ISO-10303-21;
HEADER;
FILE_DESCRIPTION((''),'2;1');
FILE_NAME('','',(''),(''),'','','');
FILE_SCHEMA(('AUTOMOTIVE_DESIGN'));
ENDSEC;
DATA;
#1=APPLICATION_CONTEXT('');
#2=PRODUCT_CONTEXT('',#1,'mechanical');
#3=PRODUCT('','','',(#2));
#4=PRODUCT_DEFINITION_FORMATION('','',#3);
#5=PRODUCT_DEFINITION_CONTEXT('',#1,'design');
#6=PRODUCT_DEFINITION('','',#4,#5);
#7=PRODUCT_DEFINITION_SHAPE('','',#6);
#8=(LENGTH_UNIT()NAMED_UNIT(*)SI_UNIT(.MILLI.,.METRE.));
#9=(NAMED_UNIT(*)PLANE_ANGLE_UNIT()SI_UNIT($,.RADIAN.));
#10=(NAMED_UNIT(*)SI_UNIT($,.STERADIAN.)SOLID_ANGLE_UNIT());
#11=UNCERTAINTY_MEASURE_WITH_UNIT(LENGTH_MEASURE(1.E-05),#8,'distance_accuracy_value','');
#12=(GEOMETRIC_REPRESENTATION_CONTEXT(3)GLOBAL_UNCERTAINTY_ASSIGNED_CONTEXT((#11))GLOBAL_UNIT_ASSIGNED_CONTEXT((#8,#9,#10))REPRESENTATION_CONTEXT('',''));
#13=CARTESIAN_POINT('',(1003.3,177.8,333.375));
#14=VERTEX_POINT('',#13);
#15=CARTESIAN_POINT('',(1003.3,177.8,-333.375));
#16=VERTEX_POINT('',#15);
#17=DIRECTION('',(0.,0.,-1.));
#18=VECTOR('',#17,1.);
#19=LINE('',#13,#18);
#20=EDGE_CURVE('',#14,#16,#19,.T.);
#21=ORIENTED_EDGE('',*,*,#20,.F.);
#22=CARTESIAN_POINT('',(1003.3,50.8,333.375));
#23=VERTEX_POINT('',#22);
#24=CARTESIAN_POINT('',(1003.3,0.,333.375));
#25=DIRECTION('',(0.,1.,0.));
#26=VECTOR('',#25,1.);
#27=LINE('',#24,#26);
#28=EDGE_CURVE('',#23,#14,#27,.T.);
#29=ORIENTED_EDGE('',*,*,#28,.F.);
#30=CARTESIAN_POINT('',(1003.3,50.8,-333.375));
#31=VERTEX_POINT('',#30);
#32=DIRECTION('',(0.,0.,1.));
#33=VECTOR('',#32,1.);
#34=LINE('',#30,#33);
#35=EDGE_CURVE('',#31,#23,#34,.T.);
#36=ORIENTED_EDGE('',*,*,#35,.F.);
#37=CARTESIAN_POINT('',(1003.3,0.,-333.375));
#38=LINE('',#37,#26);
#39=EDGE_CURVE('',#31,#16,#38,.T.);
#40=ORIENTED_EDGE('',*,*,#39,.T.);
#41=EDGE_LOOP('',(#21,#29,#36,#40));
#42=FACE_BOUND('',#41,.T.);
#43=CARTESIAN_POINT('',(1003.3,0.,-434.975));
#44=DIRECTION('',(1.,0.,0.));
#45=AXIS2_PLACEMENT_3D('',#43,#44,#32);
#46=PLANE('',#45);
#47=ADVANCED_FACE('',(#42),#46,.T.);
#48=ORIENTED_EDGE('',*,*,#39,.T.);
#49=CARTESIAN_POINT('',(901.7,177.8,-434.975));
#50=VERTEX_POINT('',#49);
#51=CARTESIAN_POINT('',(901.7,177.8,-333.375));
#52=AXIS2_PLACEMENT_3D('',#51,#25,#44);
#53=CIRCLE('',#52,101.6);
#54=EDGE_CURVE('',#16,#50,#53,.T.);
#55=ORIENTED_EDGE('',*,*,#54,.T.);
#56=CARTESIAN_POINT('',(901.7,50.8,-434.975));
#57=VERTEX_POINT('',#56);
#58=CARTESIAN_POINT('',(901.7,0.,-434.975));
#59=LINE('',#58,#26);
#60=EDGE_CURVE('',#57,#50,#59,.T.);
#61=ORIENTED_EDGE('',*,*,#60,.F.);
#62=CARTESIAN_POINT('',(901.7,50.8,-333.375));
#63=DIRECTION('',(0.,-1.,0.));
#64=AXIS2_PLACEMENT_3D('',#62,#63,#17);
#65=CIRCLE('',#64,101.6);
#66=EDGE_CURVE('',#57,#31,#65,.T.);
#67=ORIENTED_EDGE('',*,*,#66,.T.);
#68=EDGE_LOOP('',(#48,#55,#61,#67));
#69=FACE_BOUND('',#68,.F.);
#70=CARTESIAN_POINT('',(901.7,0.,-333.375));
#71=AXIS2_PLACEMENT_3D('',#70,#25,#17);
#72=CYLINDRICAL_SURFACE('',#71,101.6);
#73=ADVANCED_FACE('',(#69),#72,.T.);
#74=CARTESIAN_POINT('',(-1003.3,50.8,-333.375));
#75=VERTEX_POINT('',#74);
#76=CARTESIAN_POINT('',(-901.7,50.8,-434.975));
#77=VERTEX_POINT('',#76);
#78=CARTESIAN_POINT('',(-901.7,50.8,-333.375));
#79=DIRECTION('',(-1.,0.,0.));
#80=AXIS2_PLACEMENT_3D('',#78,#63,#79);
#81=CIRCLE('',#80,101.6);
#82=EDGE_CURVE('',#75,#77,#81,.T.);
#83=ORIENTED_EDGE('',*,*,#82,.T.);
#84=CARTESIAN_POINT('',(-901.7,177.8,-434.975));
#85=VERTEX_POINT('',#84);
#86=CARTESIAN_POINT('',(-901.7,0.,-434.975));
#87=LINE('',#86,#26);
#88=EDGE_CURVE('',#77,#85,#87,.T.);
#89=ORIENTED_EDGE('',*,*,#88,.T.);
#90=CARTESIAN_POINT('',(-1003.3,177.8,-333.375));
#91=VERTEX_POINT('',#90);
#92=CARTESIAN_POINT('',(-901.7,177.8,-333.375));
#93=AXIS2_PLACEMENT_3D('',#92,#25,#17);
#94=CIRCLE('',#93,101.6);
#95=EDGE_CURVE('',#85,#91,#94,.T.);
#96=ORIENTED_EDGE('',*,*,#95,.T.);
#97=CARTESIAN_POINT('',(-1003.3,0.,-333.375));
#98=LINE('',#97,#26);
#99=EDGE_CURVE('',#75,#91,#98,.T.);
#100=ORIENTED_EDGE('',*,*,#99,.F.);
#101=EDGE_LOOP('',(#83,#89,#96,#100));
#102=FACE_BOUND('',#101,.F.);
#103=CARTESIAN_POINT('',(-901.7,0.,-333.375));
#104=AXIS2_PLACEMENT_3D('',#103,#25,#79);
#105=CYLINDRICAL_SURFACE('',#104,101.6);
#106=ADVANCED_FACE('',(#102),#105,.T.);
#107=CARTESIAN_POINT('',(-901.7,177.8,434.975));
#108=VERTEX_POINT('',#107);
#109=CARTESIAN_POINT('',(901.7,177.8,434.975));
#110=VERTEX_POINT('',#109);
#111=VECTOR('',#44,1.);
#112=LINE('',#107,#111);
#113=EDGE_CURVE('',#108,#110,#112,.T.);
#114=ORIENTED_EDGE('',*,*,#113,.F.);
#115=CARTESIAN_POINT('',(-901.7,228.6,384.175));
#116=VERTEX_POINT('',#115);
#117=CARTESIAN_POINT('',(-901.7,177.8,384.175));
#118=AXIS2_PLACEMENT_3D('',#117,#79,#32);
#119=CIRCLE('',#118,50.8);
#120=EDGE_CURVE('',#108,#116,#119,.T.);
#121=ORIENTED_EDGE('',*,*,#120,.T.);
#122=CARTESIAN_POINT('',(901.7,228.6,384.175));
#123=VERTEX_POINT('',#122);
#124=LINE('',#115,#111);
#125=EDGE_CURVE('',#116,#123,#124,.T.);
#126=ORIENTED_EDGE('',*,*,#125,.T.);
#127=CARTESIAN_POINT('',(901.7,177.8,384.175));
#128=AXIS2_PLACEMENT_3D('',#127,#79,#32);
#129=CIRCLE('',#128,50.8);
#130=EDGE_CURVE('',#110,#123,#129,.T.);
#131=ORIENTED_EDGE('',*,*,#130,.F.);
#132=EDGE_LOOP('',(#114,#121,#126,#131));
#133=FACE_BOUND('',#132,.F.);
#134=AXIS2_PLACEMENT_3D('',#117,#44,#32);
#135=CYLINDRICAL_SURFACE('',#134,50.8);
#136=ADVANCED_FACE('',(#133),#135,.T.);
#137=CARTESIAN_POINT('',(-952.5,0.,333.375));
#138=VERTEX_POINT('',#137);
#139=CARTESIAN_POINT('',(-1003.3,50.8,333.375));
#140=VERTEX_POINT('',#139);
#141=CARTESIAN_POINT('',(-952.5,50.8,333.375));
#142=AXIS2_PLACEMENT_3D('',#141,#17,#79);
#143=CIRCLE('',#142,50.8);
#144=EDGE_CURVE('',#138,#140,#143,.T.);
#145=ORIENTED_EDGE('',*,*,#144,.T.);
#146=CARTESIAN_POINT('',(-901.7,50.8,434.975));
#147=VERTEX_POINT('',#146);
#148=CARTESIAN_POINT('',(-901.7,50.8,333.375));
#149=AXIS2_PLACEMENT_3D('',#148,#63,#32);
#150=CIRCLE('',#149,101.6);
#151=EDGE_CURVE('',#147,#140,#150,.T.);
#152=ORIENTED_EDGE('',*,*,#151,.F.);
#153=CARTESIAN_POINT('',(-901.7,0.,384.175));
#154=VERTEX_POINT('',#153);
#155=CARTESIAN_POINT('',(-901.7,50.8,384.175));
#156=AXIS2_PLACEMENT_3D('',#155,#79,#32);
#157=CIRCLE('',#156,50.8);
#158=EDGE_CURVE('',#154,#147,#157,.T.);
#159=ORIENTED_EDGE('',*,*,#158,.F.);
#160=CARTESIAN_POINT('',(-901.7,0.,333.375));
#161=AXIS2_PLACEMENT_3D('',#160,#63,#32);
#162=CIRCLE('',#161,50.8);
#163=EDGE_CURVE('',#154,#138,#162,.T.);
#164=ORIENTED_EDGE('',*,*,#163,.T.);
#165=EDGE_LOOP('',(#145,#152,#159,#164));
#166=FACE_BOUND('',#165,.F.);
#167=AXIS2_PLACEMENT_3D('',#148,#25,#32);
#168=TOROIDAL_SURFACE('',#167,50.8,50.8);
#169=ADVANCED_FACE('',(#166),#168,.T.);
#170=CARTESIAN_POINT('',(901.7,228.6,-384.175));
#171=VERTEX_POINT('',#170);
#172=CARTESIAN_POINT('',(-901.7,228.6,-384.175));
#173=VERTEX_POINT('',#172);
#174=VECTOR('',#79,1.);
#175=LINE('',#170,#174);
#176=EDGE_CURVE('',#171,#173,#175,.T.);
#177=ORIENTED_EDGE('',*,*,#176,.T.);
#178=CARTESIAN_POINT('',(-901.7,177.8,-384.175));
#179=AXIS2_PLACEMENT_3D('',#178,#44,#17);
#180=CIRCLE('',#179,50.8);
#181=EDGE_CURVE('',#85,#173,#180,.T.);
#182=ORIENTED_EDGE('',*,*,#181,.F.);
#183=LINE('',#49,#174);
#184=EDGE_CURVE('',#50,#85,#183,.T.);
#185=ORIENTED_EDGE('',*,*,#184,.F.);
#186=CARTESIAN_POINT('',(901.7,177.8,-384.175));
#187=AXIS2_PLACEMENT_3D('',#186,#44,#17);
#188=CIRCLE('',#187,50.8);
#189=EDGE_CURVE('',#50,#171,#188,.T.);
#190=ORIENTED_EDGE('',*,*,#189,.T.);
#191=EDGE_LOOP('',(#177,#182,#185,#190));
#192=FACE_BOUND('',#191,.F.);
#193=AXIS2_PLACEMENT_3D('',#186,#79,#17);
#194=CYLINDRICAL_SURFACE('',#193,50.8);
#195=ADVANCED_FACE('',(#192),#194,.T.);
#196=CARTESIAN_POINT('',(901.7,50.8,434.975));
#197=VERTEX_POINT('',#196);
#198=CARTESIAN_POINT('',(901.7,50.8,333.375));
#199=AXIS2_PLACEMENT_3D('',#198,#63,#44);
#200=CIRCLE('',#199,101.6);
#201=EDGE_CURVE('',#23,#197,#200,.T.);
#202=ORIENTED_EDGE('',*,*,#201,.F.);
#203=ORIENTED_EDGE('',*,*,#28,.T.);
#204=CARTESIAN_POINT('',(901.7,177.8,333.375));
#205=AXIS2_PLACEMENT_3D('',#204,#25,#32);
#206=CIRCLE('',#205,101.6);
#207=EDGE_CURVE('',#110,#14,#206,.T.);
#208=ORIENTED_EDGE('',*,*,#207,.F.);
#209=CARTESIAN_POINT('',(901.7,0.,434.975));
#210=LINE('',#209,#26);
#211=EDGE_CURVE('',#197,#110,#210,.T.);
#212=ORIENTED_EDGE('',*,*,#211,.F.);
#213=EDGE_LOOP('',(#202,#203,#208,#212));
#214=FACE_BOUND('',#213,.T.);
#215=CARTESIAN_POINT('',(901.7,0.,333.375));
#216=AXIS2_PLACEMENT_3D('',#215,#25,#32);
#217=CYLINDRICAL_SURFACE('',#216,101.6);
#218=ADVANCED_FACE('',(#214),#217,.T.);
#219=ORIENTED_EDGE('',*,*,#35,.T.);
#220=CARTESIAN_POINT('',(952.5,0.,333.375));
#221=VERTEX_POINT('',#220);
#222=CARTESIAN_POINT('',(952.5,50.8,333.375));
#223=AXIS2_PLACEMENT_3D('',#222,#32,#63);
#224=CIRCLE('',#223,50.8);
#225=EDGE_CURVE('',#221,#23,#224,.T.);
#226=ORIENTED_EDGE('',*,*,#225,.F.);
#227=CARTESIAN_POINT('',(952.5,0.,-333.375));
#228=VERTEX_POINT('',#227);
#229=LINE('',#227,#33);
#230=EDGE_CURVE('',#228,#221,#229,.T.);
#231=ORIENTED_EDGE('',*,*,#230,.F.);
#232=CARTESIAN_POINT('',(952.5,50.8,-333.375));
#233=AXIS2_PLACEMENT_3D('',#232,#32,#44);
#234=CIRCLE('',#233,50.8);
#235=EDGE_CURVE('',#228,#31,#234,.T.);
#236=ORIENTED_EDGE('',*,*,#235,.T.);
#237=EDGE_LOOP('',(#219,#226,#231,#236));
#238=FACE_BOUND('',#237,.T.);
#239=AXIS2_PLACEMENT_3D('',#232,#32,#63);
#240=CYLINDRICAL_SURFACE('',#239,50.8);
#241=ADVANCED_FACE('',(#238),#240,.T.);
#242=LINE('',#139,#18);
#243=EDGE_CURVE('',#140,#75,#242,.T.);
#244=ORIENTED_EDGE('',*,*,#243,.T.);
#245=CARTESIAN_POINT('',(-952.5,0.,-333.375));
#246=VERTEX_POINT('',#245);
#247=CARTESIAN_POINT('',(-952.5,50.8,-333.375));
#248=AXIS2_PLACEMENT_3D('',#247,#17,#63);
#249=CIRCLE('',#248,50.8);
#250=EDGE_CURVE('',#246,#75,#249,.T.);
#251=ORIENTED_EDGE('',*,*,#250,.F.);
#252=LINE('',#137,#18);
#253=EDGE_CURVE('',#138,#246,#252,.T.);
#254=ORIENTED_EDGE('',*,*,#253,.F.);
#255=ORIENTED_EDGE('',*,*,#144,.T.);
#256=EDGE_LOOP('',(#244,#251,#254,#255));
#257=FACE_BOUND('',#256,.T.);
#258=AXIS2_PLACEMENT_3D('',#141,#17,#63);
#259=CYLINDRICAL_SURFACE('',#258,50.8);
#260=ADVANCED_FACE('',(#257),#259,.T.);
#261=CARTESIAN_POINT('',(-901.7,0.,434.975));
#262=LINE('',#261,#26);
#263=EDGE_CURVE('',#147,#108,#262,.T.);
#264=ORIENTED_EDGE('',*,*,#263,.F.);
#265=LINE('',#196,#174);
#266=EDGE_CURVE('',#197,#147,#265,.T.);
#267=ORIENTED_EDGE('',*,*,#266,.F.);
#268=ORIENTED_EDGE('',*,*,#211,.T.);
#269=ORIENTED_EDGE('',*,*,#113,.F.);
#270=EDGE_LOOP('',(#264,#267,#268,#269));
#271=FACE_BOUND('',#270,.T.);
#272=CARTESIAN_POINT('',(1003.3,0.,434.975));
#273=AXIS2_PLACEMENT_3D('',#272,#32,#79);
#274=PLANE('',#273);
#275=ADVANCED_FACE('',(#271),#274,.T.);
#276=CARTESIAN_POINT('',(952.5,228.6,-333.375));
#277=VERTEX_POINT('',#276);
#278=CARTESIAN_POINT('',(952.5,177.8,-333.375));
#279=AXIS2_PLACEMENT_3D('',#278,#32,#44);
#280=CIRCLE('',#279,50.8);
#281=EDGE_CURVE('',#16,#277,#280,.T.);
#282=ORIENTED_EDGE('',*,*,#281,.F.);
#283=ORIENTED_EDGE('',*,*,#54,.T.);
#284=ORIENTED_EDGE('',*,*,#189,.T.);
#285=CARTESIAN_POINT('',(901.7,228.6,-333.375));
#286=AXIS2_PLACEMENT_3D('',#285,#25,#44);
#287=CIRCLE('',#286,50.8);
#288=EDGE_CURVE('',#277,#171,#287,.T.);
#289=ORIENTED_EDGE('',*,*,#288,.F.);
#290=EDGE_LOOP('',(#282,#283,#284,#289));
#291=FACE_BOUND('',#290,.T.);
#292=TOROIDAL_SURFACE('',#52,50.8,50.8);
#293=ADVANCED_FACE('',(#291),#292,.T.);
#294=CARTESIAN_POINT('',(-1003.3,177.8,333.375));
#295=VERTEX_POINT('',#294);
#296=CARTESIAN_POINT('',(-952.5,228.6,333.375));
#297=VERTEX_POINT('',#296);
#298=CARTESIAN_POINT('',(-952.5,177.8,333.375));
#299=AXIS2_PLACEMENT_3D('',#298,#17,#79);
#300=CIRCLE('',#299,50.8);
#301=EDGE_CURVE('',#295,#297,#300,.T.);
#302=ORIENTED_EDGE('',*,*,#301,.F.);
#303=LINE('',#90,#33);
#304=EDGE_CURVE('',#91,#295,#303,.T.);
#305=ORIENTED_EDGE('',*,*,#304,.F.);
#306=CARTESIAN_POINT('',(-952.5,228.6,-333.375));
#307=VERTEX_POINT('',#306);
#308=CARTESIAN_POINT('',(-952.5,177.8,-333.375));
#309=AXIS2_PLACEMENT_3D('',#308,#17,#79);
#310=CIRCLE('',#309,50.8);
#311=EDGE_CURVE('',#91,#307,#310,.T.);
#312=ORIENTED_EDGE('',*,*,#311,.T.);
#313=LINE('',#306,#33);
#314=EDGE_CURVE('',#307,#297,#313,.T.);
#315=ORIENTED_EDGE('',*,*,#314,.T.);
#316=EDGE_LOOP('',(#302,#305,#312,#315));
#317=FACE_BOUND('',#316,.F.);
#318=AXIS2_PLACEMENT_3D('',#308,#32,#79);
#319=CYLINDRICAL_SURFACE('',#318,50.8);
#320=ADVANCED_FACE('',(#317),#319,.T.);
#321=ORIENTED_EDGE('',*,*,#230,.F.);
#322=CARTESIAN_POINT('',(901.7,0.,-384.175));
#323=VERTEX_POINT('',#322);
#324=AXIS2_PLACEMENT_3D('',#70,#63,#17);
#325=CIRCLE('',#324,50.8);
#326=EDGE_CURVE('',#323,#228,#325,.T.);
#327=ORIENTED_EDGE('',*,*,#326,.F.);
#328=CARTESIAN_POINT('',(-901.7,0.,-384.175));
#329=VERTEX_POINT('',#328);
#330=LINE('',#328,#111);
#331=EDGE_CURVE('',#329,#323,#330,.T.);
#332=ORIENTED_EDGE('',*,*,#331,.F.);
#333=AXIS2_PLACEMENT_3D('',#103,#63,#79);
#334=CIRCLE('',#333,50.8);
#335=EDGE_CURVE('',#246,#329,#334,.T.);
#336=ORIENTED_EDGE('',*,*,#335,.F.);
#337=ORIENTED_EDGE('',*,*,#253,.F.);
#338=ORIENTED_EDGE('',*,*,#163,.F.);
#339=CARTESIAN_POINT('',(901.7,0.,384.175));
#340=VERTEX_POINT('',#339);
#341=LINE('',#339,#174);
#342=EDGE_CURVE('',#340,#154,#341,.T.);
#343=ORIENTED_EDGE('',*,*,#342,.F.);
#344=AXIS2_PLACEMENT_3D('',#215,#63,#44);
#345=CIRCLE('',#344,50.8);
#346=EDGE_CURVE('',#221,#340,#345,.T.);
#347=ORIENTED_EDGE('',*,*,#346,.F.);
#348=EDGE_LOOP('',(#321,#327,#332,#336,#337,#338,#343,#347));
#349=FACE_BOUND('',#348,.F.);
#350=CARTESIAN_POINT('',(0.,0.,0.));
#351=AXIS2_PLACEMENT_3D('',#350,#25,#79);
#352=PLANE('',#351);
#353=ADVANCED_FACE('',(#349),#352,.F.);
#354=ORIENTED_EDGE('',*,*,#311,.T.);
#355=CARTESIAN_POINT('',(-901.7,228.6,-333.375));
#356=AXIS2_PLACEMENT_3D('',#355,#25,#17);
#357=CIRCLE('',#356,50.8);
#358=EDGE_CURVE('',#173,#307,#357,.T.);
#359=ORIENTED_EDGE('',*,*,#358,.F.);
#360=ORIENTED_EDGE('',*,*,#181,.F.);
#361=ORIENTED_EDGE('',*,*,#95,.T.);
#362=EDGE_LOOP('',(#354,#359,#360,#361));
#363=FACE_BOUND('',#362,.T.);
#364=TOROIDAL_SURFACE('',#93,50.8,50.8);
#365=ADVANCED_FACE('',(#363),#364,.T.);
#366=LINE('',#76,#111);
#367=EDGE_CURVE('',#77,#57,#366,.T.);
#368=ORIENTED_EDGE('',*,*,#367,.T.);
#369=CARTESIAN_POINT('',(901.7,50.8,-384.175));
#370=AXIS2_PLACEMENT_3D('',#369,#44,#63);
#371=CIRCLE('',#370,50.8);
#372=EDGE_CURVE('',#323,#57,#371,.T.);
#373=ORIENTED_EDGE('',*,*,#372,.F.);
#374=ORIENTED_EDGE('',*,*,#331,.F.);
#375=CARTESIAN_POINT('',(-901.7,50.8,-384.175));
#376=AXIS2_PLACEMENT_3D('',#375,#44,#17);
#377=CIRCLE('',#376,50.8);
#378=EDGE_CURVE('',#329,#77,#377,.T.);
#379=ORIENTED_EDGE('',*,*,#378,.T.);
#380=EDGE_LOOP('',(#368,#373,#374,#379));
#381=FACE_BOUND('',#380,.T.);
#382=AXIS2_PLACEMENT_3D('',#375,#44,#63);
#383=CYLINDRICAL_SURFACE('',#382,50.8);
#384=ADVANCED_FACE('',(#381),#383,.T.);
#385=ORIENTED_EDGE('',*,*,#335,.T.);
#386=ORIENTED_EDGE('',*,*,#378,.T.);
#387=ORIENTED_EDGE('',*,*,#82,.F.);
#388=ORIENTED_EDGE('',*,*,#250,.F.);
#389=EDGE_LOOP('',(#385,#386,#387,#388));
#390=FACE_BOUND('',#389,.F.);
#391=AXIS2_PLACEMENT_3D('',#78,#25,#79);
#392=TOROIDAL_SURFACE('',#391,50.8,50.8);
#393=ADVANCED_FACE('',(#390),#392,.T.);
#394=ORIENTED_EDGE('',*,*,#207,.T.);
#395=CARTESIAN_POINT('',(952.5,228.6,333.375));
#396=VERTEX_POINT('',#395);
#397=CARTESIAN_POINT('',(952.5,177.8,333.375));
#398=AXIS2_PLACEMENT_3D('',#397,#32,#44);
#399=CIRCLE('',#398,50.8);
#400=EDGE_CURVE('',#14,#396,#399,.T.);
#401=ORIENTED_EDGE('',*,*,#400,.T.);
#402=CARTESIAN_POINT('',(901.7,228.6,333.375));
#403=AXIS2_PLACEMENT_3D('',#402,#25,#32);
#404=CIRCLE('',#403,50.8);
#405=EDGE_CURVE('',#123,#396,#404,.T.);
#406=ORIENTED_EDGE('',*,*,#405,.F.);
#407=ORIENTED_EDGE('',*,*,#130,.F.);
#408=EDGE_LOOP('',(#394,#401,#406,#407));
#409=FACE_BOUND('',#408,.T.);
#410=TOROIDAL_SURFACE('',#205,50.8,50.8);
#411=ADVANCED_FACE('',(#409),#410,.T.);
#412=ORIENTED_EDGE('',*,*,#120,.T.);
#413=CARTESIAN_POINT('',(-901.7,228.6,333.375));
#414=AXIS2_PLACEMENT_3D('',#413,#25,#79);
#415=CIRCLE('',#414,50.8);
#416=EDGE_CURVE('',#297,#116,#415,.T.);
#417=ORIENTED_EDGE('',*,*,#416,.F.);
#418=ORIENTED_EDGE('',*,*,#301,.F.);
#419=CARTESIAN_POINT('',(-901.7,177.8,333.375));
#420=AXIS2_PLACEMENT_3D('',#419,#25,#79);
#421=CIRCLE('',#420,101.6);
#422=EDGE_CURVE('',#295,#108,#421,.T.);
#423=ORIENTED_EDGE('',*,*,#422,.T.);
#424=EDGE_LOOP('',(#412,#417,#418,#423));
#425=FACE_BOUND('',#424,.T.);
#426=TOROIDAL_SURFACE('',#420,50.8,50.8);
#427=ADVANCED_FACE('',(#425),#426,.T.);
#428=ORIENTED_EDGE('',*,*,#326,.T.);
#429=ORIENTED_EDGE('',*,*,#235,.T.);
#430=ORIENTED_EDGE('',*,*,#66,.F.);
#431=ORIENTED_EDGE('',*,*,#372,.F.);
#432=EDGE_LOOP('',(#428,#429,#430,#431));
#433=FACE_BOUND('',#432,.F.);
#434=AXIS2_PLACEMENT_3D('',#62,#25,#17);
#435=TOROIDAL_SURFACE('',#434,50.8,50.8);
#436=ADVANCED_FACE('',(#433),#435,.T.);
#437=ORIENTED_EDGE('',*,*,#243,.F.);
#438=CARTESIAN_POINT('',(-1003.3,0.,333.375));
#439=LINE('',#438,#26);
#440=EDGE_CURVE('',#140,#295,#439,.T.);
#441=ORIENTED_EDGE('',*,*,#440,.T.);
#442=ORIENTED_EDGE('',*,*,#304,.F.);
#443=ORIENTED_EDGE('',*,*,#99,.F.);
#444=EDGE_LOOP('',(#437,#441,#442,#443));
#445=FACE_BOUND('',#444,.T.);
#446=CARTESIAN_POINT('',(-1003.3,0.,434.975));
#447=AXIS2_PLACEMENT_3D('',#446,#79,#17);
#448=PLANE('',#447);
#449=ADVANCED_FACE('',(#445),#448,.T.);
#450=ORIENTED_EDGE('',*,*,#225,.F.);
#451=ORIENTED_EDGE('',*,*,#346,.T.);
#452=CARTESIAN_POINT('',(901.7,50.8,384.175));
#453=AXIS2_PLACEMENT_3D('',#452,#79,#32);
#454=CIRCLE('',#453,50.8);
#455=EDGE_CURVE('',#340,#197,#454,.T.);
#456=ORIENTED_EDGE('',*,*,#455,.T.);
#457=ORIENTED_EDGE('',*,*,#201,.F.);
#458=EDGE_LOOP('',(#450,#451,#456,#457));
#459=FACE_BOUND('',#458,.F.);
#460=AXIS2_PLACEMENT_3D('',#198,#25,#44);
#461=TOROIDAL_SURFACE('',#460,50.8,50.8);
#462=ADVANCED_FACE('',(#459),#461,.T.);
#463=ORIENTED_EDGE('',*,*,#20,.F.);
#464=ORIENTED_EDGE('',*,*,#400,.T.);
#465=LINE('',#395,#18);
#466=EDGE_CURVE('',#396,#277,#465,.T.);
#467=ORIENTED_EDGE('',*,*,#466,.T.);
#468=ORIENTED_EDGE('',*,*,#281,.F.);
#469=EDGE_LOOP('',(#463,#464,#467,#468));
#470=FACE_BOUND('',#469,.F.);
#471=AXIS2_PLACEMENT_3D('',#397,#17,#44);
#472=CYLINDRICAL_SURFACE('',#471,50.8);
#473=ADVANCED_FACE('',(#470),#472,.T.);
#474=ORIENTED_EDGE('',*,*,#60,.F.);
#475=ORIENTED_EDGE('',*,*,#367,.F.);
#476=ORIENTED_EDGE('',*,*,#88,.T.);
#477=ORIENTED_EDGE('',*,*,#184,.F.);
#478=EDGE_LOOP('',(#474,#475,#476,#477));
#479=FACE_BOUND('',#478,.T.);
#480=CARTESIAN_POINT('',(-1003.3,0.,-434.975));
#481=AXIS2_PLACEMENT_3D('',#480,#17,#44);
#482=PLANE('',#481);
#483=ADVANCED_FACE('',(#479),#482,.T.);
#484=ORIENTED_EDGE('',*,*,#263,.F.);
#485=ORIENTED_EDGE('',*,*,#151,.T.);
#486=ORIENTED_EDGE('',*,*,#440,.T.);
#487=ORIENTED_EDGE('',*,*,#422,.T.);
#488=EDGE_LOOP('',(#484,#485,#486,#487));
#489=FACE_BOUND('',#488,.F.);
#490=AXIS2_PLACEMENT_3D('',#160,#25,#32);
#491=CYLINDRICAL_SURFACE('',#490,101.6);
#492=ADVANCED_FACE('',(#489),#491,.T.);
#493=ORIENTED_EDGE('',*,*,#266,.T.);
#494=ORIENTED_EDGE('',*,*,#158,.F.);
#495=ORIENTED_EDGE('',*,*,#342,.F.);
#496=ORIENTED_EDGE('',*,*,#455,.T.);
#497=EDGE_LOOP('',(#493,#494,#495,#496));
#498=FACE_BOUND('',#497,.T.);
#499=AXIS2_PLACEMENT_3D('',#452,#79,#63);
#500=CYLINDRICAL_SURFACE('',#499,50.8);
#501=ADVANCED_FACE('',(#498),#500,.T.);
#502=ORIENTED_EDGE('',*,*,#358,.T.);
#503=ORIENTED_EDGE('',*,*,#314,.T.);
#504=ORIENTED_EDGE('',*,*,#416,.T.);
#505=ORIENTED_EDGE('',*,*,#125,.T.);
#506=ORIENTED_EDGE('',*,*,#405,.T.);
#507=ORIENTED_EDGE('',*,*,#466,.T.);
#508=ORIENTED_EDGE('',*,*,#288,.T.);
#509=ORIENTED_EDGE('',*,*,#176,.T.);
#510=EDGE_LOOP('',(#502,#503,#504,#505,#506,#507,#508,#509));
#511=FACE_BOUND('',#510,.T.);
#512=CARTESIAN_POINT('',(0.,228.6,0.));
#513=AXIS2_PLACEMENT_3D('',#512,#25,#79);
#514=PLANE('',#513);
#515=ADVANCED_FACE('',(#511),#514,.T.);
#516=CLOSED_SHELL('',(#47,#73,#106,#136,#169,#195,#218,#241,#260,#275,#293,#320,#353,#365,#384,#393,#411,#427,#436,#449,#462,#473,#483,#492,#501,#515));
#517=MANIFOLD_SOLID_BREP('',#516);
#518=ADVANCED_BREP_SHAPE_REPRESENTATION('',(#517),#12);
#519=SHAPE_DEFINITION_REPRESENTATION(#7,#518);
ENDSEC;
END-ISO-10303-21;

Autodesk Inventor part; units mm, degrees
ref_plane "YZ Plane" through (0, 0, 0) normal (1, 0, 0) x (0, 1, 0)
ref_plane "XZ Plane" through (0, 0, 0) normal (0, 1, 0) x (-1, 0, 0)
ref_plane "XY Plane" through (0, 0, 0) normal (0, 0, 1) x (1, 0, 0)
sketch "Sketch1" plane through (0, 0, 0) normal (0, 1, 0) x (-1, 0, 0)
  line L0 (-1003.3, 434.975) -> (1003.3, 434.975)
  line L1 (1003.3, 434.975) -> (1003.3, -434.975)
  line L2 (1003.3, -434.975) -> (-1003.3, -434.975)
  line L3 (-1003.3, -434.975) -> (-1003.3, 434.975)
  line L4 (-1003.3, 434.975) -> (1003.3, -434.975) construction
  line L5 (1003.3, 434.975) -> (-1003.3, -434.975) construction
  point P0 (0, 0)
  dimension "d0" = 869.95
  dimension "d3" = 2006.6
extrude "Extrusion1" add sketch "Sketch1" along normal blind 228.6
fillet "Fillet1" radius 101.6 4 edges at (1003.3, 114.3, 434.975) (1003.3, 114.3, -434.975) (-1003.3, 114.3, 434.975) (-1003.3, 114.3, -434.975)
fillet "Fillet2" radius 50.8 16 edges at (973.542, 228.6, 405.217) (1003.3, 228.6, 0) (973.542, 228.6, -405.217) (0, 228.6, -434.975) (-973.542, 228.6, -405.217) (-1003.3, 228.6, 0) (-973.542, 228.6, 405.217) (0, 228.6, 434.975) (-973.542, 0, 405.217) (-1003.3, 0, 0) (-973.542, 0, -405.217) (0, 0, -434.975) (973.542, 0, -405.217) (1003.3, 0, 0) (973.542, 0, 405.217) (0, 0, 434.975)
properties part number "Mattress"
